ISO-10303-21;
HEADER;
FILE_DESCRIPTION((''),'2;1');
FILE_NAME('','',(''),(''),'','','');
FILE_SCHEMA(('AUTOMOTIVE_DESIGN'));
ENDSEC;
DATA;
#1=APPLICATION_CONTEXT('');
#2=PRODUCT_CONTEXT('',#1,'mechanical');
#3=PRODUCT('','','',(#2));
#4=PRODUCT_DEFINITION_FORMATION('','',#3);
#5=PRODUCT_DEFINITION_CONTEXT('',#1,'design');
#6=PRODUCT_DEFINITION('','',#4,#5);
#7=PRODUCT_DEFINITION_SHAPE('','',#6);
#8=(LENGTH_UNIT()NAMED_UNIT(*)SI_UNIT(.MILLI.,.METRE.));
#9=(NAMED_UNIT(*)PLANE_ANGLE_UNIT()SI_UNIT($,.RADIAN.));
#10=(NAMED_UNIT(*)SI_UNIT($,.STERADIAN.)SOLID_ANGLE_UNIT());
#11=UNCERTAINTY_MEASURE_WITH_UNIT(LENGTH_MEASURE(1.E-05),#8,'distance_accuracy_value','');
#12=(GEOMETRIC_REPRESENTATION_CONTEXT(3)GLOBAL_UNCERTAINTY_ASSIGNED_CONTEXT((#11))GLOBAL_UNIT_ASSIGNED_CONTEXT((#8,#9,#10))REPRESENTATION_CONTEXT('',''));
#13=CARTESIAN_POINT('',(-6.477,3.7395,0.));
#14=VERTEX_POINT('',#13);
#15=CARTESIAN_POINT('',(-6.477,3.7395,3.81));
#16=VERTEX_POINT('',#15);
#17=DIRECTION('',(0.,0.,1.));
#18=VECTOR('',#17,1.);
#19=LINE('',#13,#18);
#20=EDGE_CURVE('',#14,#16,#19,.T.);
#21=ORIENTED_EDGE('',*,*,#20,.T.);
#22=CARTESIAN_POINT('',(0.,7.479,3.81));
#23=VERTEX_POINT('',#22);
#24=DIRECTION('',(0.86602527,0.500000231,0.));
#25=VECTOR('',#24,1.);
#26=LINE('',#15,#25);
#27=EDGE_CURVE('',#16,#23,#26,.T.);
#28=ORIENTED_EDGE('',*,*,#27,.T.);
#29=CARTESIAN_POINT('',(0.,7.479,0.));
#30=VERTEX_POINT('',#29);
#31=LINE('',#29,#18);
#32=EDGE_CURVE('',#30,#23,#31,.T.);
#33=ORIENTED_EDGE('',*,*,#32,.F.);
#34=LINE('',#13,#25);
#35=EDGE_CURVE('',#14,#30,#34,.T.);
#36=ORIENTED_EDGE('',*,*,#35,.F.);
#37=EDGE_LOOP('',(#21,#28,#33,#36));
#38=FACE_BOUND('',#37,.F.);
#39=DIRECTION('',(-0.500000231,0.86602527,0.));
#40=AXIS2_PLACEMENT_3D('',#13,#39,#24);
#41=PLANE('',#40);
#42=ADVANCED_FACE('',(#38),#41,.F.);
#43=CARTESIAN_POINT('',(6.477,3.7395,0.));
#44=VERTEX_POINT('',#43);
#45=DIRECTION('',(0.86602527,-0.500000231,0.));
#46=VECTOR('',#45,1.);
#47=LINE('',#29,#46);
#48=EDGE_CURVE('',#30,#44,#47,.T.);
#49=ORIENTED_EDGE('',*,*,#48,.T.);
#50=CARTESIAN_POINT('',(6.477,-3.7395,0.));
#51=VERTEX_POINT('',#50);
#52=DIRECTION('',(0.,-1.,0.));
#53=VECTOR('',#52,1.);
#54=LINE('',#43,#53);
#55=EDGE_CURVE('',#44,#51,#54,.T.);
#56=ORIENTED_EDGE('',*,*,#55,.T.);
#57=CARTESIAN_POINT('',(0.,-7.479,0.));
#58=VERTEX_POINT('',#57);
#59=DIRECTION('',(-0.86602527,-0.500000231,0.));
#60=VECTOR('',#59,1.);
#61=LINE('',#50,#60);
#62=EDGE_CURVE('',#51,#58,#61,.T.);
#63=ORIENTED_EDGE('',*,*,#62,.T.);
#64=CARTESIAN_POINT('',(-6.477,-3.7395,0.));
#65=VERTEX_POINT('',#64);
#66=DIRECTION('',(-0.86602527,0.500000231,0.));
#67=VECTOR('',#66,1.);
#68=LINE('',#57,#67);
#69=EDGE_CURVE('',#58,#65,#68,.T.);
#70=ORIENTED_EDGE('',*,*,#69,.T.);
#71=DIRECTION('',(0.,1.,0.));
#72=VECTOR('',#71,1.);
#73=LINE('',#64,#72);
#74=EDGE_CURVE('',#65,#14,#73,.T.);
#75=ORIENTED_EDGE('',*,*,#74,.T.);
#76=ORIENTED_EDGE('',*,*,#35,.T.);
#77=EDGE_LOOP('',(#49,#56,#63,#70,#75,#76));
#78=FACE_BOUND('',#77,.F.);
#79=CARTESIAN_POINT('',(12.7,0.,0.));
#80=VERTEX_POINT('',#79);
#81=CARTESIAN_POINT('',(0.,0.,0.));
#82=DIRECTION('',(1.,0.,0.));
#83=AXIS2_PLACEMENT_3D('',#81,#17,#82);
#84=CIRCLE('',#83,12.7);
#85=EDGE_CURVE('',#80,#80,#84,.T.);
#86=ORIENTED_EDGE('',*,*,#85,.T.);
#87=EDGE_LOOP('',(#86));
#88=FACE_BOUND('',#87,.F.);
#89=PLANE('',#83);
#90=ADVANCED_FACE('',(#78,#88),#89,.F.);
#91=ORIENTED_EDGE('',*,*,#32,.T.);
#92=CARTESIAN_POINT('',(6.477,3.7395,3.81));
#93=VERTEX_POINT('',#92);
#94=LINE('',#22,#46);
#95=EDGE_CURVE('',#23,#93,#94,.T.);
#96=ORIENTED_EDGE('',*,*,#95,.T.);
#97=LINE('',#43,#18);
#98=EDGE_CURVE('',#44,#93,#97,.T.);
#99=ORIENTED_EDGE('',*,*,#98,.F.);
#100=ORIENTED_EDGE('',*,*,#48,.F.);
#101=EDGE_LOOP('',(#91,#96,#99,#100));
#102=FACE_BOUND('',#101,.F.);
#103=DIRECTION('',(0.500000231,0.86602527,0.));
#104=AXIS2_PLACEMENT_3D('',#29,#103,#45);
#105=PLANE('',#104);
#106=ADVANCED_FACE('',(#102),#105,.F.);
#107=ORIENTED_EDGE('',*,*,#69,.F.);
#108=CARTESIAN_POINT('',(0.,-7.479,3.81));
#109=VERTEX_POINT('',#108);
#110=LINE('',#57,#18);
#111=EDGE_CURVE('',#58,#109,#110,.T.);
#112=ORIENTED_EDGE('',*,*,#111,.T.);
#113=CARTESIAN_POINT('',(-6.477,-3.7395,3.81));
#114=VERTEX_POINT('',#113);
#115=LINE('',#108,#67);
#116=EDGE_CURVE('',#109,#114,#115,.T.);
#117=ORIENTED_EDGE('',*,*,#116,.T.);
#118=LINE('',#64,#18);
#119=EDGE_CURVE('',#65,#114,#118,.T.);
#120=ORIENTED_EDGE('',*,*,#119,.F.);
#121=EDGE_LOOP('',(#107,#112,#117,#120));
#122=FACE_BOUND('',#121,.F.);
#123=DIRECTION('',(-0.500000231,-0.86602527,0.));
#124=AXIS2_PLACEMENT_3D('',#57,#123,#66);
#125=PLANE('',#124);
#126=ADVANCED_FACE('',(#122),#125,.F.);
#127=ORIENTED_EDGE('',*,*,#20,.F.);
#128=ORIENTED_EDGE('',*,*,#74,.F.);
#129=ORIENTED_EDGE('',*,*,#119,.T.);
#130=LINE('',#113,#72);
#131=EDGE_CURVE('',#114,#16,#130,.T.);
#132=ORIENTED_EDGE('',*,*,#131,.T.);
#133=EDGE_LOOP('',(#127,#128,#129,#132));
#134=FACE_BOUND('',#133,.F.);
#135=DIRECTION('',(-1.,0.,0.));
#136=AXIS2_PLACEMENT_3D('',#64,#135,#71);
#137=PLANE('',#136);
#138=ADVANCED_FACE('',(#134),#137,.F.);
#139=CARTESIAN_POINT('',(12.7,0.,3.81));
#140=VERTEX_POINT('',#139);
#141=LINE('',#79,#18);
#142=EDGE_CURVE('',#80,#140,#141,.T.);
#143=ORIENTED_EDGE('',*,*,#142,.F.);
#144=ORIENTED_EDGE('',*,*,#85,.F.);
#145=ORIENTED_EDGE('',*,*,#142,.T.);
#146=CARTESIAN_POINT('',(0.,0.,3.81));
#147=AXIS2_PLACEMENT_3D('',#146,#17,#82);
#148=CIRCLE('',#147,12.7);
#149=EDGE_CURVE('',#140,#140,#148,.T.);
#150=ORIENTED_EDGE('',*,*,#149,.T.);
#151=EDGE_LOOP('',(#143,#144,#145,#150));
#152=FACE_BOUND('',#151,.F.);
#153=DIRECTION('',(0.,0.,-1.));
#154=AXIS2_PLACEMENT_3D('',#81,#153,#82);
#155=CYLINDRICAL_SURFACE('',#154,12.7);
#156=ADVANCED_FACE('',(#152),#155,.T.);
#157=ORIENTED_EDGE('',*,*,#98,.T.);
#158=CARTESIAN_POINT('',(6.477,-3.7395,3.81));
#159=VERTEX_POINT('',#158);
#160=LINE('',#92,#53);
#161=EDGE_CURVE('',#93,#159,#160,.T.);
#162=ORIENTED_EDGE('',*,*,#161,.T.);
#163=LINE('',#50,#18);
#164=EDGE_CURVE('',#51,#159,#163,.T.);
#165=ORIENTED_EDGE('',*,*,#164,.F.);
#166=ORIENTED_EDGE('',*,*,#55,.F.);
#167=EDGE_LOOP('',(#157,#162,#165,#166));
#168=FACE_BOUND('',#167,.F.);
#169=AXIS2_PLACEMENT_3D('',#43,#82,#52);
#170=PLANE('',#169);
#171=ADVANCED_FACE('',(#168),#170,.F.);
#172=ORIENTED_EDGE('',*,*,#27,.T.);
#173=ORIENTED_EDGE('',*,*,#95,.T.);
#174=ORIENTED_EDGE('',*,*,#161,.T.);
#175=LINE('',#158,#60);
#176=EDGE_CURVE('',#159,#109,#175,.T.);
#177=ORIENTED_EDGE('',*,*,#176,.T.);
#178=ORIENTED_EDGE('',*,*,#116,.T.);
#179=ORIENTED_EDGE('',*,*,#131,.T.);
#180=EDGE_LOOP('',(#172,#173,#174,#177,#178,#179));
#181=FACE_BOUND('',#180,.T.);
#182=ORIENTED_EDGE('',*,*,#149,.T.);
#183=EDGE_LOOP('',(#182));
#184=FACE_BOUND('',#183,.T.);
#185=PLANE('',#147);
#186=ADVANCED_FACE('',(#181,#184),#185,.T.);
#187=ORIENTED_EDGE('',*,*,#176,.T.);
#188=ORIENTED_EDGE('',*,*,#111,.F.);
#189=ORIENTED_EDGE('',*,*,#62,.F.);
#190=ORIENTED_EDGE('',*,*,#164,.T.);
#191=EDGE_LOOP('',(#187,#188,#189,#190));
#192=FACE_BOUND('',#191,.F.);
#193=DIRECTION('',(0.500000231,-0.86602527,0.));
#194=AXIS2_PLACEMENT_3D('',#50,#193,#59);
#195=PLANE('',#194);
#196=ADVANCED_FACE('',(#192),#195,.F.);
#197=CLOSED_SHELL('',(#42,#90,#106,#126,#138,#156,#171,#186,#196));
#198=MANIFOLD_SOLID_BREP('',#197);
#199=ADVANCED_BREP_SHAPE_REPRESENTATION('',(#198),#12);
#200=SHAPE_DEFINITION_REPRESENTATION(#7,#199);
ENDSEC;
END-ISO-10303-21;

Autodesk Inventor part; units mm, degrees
ref_plane "YZ Plane" through (0, 0, 0) normal (1, 0, 0) x (0, 1, 0)
ref_plane "XZ Plane" through (0, 0, 0) normal (0, 1, 0) x (-1, 0, 0)
ref_plane "XY Plane" through (0, 0, 0) normal (0, 0, 1) x (1, 0, 0)
sketch "Sketch1" plane through (0, 0, 0) normal (0, 0, 1) x (1, 0, 0)
  circle A0 centre (0, 0) radius 12.7
  line L0 (0, -7.479) -> (-6.477, -3.7395)
  line L1 (-6.477, -3.7395) -> (-6.477, 3.7395)
  line L2 (-6.477, 3.7395) -> (0, 7.479)
  line L3 (0, 7.479) -> (6.477, 3.7395)
  line L4 (6.477, 3.7395) -> (6.477, -3.7395)
  line L5 (6.477, -3.7395) -> (0, -7.479)
  dimension "d0" = 12.954
  dimension "d1" = 25.4
extrude "Extrusion1" add sketch "Sketch1" along normal blind 3.81
properties part number "1_10 Spacer 1_2 Hex Custom" material "PET Plastic"
